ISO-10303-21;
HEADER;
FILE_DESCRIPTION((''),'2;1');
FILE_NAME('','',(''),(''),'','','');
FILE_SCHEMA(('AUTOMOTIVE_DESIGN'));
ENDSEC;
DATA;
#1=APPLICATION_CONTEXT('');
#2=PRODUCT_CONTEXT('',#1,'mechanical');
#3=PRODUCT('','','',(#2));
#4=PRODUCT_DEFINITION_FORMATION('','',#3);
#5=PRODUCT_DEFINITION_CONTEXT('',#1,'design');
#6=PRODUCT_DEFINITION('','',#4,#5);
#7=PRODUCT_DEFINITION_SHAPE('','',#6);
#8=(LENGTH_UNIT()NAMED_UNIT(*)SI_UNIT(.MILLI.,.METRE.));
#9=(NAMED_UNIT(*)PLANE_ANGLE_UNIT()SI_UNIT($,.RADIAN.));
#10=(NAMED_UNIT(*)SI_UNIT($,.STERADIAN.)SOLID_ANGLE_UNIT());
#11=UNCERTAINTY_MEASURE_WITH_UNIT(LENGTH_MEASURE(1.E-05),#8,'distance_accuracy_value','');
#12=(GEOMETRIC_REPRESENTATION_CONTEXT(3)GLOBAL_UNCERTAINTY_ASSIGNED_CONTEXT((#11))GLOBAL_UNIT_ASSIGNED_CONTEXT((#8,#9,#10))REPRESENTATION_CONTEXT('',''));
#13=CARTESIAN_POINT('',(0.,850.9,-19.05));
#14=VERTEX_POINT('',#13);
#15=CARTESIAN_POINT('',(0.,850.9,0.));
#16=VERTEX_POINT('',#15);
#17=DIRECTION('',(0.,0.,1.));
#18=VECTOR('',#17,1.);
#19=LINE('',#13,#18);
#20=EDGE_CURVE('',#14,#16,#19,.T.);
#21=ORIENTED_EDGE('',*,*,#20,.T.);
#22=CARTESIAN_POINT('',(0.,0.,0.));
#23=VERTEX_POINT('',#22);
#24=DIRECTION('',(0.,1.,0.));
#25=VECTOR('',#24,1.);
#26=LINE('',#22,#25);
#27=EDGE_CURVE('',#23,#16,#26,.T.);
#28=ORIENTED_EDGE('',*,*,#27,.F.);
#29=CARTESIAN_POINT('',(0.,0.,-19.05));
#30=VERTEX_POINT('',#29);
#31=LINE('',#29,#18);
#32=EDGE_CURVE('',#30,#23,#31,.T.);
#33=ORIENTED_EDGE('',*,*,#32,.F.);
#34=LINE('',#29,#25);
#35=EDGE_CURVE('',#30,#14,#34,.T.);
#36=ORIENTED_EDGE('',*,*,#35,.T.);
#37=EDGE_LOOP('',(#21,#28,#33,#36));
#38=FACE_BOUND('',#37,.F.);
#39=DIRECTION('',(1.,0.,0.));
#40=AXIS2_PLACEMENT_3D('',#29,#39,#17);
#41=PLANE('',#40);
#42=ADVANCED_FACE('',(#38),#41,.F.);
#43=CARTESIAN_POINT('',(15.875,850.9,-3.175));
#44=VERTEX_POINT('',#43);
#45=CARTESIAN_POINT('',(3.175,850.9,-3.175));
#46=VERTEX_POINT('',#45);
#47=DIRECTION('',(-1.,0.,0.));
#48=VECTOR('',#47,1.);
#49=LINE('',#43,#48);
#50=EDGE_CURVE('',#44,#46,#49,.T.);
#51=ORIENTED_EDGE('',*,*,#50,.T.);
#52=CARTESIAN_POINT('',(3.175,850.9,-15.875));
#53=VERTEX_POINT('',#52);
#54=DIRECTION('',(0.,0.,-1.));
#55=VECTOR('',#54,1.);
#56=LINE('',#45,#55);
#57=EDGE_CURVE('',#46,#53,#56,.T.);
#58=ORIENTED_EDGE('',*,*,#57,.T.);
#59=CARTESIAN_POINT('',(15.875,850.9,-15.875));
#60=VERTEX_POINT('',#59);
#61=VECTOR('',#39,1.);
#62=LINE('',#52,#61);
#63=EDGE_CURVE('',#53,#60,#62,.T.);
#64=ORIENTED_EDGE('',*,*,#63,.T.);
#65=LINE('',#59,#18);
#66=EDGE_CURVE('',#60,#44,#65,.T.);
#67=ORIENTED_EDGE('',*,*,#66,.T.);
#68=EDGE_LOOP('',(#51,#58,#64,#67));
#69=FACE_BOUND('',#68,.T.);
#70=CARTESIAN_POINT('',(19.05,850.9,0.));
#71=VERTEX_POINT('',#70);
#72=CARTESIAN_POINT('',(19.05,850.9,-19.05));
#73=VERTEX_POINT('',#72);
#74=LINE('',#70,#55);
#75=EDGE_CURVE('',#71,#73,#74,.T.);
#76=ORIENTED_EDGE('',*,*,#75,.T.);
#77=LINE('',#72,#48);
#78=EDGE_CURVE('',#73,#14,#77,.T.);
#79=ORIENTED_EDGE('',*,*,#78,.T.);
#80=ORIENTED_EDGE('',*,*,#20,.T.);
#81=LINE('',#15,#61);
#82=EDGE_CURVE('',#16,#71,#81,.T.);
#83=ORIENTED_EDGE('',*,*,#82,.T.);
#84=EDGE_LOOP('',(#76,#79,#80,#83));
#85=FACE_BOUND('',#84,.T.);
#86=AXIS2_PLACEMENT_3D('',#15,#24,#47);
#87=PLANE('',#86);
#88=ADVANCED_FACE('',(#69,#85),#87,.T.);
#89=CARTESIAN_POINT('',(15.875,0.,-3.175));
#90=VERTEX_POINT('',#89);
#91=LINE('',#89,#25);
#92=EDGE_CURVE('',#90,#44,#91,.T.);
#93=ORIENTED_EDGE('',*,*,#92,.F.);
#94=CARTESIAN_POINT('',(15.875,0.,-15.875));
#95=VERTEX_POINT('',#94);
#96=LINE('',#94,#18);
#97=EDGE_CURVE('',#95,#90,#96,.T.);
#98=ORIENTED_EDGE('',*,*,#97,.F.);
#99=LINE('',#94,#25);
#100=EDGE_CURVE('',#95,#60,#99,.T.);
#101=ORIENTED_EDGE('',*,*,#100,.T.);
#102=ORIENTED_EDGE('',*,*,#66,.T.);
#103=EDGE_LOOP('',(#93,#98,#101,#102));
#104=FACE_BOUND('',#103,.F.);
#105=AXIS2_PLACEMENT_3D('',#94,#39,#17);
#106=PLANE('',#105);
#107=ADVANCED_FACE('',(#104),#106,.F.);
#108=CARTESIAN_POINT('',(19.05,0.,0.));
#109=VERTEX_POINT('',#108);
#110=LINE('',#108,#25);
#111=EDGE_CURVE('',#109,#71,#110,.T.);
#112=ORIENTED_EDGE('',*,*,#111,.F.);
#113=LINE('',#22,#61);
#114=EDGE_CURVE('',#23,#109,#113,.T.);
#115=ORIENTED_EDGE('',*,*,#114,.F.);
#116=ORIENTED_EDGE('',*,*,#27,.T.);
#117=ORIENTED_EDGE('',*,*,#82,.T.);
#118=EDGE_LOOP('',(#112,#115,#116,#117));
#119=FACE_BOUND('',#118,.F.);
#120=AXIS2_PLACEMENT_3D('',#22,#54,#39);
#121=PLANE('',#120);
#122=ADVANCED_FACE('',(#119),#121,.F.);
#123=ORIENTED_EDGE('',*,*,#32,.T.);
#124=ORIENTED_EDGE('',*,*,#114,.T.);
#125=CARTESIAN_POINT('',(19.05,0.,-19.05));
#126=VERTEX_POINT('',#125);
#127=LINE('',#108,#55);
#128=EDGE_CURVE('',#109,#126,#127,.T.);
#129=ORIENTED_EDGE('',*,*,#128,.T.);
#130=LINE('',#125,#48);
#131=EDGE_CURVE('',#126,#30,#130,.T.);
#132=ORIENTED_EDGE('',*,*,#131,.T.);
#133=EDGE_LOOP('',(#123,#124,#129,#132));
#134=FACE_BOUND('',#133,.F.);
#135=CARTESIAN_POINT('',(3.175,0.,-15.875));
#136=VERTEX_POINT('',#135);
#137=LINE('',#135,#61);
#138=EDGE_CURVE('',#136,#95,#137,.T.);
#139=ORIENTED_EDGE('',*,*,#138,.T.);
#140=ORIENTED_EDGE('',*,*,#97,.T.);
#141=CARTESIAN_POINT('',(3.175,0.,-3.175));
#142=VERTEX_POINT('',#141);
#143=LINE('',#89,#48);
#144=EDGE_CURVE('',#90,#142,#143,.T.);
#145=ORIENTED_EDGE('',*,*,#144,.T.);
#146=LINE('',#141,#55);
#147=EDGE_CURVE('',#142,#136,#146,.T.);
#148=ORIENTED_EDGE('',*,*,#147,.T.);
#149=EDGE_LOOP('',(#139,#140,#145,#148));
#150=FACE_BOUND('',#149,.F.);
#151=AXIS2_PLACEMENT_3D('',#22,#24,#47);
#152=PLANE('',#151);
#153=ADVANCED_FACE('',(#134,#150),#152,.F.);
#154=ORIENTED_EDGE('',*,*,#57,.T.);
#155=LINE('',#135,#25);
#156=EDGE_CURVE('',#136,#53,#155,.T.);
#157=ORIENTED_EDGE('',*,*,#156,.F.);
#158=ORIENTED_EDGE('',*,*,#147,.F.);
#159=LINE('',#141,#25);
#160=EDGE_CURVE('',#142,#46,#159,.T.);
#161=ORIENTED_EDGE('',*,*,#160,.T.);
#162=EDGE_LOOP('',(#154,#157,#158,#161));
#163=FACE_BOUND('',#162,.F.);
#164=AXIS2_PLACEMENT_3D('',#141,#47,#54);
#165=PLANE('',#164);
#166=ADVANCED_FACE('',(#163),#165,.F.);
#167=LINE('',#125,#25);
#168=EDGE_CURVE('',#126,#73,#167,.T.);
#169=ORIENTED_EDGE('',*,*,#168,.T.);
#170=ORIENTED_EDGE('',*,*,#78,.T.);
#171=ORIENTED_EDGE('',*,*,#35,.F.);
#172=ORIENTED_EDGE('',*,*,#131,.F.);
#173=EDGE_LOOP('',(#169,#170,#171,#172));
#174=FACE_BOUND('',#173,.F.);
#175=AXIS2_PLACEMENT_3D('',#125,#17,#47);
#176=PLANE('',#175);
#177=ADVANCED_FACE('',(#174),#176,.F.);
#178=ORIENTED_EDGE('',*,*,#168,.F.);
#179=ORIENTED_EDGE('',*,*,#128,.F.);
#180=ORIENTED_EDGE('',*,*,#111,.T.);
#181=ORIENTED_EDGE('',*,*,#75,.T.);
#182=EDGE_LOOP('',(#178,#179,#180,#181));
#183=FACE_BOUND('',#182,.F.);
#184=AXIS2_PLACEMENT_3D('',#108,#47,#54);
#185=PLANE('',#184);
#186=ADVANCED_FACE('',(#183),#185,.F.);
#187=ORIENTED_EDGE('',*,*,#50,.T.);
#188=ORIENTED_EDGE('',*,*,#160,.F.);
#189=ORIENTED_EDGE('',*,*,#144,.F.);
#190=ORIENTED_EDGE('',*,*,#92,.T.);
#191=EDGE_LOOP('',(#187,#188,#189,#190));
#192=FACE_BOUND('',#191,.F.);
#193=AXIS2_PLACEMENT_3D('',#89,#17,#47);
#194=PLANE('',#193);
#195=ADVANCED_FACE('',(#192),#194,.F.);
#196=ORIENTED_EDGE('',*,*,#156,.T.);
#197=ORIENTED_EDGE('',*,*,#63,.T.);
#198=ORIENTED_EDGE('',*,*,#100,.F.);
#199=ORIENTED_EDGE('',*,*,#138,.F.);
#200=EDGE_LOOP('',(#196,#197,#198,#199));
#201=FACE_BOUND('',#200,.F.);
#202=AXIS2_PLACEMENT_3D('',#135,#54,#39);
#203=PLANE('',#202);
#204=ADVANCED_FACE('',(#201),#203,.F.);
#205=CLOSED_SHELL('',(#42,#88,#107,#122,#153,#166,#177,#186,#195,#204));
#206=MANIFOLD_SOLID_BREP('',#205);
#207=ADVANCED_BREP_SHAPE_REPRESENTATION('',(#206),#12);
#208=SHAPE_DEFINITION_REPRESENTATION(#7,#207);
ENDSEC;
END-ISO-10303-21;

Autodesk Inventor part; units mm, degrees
ref_plane "YZ Plane" through (0, 0, 0) normal (1, 0, 0) x (0, 1, 0)
ref_plane "XZ Plane" through (0, 0, 0) normal (0, 1, 0) x (-1, 0, 0)
ref_plane "XY Plane" through (0, 0, 0) normal (0, 0, 1) x (1, 0, 0)
sketch "Sketch1" plane through (0, 0, 0) normal (0, 1, 0) x (-1, 0, 0)
  line L0 (0, 0) -> (-19.05, 0)
  line L1 (-19.05, 0) -> (-19.05, -19.05)
  line L2 (-19.05, -19.05) -> (0, -19.05)
  line L3 (0, -19.05) -> (0, 0)
  line L4 (-3.175, -15.875) -> (-15.875, -15.875)
  line L5 (-15.875, -15.875) -> (-15.875, -3.175)
  line L6 (-15.875, -3.175) -> (-3.175, -3.175)
  line L7 (-3.175, -3.175) -> (-3.175, -15.875)
  dimension "d0" = 19.05
  dimension "d1" = 19.05
  dimension "d2" = 3.175
extrude "Extrusion1" add sketch "Sketch1" along normal blind 850.9
properties part number "Chasis Short Length 2" material "Aluminum 6061"
